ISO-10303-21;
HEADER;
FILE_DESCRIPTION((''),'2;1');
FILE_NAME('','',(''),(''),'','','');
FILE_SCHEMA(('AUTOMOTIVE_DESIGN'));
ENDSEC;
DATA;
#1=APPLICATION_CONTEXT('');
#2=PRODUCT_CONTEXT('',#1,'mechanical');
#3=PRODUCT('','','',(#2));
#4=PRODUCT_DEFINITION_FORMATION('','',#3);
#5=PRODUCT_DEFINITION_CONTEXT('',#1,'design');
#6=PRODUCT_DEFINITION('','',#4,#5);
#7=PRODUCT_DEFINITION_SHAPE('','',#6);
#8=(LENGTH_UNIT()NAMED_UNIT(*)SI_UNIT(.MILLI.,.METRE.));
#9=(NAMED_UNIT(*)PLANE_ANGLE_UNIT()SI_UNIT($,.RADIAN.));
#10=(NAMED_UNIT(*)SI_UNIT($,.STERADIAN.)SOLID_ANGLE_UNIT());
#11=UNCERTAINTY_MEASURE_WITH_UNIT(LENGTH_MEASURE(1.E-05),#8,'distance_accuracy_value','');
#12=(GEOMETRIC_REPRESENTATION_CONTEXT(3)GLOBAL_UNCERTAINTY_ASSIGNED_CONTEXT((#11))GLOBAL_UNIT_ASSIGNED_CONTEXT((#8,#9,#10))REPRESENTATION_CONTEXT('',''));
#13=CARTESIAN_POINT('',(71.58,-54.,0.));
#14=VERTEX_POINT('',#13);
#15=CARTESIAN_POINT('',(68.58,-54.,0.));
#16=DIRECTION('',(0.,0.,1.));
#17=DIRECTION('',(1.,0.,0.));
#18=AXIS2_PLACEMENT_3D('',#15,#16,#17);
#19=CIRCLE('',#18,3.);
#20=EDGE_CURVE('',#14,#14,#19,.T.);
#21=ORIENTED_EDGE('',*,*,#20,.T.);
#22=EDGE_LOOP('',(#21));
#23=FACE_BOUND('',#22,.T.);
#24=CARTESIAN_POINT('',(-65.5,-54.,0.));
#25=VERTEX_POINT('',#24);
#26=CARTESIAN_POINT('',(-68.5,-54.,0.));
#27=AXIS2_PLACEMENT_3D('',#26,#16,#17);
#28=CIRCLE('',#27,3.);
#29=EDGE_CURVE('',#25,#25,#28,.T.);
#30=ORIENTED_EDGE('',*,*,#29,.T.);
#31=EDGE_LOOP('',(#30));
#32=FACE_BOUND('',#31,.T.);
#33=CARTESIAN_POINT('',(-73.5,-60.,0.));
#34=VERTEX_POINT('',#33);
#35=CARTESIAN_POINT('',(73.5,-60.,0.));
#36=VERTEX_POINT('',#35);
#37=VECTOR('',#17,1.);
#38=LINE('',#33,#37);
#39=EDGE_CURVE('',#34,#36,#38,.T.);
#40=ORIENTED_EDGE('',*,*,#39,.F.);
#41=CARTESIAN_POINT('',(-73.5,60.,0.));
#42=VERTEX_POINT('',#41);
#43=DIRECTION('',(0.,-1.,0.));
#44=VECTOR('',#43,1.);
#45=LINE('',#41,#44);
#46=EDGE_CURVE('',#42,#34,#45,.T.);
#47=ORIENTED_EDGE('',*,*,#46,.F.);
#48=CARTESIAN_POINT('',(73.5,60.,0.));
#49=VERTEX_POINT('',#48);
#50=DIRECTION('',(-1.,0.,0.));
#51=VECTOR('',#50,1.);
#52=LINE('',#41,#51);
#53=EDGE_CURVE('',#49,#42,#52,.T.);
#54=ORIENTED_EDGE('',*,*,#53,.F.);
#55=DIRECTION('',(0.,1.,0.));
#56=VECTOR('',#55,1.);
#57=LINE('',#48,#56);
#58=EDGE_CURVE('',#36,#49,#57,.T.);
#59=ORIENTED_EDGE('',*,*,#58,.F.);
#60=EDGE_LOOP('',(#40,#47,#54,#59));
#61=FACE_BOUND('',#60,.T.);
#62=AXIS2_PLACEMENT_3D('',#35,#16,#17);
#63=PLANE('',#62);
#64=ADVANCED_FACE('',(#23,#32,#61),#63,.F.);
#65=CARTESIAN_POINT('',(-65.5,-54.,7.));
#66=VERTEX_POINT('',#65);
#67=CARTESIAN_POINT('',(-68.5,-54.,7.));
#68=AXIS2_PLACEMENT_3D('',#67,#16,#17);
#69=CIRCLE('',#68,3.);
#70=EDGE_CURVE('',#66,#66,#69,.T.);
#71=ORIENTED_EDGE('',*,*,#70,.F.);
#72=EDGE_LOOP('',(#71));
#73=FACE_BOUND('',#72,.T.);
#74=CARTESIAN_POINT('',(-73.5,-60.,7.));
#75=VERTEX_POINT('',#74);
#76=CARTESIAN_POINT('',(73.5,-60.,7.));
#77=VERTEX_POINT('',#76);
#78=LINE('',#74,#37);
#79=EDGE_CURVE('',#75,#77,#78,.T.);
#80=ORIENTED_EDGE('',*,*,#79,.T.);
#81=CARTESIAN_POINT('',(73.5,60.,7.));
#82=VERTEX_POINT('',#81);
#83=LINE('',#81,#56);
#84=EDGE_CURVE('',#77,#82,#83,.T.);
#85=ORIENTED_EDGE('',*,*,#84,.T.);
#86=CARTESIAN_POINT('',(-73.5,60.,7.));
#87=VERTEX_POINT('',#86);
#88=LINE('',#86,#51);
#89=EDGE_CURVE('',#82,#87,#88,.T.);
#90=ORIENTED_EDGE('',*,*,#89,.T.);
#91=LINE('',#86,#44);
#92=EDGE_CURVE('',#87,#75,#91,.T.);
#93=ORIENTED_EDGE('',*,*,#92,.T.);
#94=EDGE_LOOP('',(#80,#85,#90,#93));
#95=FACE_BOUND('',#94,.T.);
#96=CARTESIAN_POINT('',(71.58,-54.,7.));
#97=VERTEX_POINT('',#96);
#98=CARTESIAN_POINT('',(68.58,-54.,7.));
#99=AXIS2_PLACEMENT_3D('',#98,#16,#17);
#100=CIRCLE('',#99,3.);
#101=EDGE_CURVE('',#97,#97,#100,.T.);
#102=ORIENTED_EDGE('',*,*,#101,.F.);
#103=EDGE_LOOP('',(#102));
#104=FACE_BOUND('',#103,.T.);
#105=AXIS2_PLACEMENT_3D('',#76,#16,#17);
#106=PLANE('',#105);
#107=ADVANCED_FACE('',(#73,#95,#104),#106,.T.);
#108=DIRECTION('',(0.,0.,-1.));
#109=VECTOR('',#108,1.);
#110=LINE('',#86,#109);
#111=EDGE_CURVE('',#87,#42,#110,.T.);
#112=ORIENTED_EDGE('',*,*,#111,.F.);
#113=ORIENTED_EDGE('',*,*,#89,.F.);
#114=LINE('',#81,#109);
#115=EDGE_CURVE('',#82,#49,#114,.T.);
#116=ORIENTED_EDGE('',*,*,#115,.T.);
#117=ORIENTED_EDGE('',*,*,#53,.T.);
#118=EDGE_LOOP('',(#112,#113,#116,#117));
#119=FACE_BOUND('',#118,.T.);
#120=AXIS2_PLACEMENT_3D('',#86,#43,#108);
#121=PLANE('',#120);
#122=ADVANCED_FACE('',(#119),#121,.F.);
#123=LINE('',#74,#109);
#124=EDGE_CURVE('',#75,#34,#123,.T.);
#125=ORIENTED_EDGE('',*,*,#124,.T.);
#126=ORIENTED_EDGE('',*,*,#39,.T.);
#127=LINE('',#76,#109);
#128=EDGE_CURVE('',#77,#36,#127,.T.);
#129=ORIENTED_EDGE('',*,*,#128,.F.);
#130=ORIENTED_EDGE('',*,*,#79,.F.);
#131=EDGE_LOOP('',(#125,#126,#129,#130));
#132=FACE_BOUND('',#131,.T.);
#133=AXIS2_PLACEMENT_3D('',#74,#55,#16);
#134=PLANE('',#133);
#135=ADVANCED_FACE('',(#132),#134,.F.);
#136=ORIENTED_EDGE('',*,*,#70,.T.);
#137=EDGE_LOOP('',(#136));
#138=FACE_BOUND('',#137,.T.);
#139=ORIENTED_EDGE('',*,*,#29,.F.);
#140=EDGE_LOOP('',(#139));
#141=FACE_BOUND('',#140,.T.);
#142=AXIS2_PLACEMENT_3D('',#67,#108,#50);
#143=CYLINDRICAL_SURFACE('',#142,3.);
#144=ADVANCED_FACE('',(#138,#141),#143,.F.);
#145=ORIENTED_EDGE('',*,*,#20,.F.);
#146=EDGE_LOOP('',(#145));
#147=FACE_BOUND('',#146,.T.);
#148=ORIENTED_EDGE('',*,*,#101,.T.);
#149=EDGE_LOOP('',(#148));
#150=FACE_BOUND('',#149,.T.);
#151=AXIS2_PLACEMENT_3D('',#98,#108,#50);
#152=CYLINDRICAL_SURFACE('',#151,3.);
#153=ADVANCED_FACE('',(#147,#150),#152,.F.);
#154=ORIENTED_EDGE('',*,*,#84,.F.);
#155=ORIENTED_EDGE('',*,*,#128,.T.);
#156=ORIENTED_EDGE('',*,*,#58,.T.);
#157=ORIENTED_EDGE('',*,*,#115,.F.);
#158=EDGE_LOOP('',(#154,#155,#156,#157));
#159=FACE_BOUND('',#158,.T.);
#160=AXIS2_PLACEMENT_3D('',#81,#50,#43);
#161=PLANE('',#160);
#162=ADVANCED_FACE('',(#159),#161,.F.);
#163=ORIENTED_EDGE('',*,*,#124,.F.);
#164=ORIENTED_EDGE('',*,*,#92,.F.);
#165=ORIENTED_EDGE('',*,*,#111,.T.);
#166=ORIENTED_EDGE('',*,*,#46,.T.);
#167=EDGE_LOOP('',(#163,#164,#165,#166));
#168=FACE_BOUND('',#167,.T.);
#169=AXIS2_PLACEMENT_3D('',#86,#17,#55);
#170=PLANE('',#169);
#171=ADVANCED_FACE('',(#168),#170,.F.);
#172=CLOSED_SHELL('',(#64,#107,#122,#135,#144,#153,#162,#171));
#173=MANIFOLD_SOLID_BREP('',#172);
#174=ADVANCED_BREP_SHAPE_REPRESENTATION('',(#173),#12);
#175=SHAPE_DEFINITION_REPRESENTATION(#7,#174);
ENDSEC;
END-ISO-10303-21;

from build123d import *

# Parameters (mm, degrees)
ESBO_O1_W                = 147
ESBO_O1_H                = 120
ESBO_O1_R                = 3
RESSALTO_EXTRUS_O1_DEPTH = 7


with BuildPart() as part:
    # Esboço1 → Ressalto-extrusão1 (new body)
    with BuildSketch(Plane.XY):
        Rectangle(ESBO_O1_W, ESBO_O1_H)
        with Locations((-68.5, -54)):
            Circle(ESBO_O1_R, mode=Mode.SUBTRACT)
        with Locations((68.58, -54)):
            Circle(ESBO_O1_R, mode=Mode.SUBTRACT)
    extrude(amount=RESSALTO_EXTRUS_O1_DEPTH)


solid = part.part
